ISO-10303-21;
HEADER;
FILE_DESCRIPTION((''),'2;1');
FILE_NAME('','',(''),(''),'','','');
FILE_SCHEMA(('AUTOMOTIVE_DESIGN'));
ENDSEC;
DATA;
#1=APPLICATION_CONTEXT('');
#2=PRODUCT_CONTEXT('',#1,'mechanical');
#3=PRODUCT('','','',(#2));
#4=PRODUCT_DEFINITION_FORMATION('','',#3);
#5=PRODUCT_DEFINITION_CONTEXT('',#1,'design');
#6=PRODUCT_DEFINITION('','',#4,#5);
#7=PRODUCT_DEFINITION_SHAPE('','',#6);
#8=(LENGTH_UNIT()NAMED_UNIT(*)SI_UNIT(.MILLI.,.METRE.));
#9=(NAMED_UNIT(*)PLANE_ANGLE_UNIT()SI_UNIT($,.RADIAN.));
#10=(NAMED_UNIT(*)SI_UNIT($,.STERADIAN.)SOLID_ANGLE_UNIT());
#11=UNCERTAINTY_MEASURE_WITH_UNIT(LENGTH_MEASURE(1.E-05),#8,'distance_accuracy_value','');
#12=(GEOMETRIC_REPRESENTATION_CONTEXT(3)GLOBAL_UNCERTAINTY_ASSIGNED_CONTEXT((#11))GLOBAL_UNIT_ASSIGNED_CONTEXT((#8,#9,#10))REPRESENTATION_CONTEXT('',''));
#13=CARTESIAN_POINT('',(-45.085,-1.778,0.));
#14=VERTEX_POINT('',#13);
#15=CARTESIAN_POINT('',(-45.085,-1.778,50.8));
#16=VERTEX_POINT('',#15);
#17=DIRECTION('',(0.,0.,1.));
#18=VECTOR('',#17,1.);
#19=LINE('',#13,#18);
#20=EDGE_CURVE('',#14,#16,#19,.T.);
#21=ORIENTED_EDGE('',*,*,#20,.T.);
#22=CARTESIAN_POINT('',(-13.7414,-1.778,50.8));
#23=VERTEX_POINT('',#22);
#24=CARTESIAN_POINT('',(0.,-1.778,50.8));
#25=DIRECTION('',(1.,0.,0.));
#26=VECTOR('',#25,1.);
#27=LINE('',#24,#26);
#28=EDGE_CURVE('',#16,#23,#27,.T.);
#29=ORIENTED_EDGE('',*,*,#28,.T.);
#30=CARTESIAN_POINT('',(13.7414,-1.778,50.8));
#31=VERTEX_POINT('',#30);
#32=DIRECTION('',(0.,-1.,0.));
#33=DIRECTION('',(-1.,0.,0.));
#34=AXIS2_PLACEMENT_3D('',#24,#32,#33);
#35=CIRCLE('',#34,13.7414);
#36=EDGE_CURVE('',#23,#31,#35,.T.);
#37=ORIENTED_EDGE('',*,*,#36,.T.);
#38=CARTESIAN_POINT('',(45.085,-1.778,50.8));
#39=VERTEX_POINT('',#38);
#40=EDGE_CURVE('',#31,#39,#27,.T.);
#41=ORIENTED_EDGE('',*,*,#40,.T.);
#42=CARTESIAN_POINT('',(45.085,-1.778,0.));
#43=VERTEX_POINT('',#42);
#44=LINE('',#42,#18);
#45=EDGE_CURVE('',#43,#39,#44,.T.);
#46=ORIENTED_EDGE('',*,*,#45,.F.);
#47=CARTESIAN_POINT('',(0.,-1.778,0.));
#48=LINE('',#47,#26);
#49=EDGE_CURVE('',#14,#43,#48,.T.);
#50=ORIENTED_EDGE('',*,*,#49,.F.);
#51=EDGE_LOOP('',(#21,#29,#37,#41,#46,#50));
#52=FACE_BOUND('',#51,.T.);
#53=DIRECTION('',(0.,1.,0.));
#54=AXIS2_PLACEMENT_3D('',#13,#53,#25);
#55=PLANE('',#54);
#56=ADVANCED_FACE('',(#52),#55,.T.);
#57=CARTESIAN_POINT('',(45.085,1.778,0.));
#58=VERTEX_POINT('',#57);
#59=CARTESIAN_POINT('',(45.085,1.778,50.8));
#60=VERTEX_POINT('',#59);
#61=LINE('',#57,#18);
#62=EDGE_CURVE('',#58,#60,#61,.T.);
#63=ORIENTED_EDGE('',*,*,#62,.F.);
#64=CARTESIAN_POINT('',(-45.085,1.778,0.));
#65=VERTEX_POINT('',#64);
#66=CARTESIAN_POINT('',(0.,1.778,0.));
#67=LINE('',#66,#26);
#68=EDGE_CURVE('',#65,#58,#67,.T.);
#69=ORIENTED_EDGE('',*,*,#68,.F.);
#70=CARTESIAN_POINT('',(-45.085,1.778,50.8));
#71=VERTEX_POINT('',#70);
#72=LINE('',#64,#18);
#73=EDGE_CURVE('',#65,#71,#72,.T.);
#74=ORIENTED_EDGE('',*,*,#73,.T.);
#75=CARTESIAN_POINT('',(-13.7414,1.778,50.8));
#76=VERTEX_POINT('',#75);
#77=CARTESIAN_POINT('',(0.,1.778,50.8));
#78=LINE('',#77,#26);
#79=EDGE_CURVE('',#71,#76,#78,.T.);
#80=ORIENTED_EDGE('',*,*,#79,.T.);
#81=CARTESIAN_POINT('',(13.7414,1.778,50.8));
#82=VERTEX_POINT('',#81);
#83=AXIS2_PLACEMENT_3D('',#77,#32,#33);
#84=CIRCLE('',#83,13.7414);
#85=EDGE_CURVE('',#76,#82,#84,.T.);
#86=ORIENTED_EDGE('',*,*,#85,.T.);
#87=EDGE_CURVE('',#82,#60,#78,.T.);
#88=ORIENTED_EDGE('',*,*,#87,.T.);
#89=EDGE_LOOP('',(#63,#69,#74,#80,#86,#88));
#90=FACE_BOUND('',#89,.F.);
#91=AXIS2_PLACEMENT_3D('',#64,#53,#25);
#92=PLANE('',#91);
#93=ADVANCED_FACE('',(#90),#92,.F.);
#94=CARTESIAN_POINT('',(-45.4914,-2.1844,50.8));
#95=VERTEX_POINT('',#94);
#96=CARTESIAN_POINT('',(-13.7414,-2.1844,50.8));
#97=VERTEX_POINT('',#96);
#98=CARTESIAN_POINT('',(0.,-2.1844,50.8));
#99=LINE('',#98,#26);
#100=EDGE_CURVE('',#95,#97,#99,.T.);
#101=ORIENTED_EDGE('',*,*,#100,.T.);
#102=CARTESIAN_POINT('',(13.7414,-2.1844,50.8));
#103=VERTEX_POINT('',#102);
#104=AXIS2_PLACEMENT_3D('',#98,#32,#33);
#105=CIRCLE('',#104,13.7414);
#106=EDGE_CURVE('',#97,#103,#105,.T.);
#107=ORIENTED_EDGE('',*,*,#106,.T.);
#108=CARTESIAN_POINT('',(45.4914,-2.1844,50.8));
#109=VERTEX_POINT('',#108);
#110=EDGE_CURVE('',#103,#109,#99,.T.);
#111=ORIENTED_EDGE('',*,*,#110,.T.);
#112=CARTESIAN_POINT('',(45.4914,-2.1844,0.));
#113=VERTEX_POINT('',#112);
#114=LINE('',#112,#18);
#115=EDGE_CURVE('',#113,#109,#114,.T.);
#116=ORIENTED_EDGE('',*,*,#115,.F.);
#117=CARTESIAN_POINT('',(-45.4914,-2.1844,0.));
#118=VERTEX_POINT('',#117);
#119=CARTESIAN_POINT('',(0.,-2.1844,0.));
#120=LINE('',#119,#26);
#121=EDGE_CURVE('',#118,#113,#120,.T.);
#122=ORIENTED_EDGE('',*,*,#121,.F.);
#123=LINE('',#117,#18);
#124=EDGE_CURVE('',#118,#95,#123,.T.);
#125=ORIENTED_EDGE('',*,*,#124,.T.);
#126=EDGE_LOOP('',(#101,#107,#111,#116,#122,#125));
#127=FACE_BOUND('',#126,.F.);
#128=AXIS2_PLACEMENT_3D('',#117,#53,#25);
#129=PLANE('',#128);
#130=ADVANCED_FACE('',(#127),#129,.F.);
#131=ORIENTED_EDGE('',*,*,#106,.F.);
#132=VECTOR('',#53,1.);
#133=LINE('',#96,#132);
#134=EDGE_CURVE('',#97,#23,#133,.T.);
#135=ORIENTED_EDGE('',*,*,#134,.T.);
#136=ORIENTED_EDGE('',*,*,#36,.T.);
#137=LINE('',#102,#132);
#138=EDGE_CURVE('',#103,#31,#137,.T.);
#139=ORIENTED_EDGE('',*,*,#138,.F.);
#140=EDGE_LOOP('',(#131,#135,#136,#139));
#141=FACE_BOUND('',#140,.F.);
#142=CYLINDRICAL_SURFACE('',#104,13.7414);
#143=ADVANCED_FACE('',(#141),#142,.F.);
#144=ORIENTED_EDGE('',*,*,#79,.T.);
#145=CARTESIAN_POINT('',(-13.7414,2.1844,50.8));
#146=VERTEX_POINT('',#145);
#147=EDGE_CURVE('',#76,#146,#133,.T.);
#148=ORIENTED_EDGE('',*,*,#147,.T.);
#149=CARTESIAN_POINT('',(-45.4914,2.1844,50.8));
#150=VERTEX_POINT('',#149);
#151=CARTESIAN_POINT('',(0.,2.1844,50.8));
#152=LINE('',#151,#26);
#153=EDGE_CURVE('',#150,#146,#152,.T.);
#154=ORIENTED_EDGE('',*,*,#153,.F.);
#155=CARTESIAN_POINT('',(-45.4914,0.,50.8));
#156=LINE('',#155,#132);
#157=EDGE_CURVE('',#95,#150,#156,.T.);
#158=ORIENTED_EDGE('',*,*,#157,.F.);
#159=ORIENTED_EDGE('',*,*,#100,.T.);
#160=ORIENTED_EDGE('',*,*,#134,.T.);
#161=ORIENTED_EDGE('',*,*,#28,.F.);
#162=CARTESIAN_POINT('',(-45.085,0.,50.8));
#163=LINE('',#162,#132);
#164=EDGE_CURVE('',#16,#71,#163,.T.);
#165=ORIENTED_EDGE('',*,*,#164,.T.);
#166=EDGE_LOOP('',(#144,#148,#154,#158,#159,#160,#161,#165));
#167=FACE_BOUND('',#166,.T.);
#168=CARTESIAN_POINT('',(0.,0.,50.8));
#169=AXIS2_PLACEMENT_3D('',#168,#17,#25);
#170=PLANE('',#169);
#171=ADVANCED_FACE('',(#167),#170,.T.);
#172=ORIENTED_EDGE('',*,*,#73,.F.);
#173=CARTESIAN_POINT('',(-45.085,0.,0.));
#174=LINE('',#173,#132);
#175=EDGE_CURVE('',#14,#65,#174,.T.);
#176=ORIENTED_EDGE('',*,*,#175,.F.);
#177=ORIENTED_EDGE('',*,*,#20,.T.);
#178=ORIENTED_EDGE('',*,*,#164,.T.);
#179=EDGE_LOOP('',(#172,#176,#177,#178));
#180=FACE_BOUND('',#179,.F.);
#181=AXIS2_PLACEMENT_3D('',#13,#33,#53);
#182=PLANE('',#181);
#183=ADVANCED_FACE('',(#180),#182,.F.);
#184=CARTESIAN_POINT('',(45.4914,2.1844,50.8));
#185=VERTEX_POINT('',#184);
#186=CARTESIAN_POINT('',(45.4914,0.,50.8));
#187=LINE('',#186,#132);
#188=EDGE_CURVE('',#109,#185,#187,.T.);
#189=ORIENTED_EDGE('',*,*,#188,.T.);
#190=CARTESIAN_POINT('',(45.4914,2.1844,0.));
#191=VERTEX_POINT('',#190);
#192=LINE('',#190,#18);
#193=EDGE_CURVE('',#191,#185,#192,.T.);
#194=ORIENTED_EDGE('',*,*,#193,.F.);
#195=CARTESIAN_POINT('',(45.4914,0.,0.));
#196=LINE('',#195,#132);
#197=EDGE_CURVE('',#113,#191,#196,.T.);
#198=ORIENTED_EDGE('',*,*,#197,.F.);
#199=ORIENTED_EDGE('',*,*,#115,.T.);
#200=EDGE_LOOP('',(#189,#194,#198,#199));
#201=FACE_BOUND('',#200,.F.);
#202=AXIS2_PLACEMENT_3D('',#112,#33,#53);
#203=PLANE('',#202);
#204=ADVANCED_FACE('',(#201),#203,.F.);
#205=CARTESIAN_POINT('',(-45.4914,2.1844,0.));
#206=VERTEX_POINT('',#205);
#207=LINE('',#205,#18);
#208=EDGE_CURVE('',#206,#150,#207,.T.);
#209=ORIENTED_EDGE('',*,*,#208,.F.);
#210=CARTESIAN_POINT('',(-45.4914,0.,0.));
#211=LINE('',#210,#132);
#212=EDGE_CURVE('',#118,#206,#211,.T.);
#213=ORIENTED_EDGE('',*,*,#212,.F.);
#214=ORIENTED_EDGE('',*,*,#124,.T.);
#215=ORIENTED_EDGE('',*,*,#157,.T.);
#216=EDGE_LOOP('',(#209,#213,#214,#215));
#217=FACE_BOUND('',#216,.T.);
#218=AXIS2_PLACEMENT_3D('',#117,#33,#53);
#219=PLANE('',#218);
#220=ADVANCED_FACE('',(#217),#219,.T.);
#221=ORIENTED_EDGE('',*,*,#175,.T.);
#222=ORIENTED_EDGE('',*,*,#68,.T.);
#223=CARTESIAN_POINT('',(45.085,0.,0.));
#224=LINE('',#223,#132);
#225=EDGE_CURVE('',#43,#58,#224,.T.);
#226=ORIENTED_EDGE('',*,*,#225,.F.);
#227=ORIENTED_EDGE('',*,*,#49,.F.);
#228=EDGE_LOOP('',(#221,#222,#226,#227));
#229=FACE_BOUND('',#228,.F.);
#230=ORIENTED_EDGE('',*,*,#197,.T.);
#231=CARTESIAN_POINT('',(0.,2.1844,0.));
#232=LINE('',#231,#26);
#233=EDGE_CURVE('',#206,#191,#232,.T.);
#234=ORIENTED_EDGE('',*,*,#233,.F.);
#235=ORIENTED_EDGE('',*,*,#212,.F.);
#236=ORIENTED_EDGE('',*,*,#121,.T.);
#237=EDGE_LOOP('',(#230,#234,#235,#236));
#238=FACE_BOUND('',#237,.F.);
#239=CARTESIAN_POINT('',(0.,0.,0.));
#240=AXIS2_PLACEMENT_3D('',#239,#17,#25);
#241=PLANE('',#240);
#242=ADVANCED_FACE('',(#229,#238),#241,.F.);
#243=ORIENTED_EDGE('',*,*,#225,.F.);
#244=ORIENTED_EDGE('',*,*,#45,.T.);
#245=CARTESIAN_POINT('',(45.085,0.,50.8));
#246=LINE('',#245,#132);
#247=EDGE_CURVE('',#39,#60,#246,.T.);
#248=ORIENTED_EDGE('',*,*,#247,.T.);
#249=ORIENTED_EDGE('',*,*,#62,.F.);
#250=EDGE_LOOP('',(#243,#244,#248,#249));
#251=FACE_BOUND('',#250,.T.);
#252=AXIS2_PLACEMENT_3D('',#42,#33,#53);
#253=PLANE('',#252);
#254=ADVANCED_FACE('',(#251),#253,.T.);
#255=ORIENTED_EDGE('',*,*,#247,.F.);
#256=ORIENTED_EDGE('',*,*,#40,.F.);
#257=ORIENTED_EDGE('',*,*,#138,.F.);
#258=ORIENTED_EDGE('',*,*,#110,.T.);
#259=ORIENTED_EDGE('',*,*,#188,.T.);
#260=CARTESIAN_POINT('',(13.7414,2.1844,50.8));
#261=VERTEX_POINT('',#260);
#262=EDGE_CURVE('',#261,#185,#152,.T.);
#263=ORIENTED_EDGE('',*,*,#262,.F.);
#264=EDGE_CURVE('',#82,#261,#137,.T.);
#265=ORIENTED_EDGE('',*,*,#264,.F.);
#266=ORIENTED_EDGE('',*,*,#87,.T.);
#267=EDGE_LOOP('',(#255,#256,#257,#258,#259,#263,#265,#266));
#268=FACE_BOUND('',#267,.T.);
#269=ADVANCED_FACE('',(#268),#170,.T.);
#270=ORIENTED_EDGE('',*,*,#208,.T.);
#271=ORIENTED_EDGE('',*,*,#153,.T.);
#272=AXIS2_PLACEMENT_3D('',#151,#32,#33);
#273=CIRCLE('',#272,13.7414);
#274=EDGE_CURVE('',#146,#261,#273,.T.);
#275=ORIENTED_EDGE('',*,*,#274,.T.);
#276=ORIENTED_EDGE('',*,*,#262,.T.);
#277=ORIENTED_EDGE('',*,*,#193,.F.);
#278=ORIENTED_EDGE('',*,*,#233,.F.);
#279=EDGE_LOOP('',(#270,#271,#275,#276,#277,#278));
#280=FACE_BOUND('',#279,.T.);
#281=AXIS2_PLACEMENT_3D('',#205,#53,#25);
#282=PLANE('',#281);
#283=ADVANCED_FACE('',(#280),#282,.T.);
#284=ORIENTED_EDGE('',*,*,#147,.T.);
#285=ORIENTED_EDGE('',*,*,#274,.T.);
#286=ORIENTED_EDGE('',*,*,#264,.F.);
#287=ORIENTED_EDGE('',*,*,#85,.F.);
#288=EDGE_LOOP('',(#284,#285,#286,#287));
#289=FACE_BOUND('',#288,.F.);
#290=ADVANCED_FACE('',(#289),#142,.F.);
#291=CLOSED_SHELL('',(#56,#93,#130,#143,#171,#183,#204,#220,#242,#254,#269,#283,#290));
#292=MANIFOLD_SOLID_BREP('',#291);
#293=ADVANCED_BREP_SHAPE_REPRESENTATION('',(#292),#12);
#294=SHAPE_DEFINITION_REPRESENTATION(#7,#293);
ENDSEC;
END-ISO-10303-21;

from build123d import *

# Parameters (mm, degrees)
F0_W     = 90.9828
F0_H     = 4.3688
F0_W_2   = 90.17
F0_H_2   = 3.556
F1_DEPTH = 50.8
F3_DEPTH = 4.3698


with BuildPart() as f1:
    # F0 (on Top) → F1 (new body)
    with BuildSketch(Plane.XY):
        Rectangle(F0_W, F0_H)
        Rectangle(F0_W_2, F0_H_2, mode=Mode.SUBTRACT)
    extrude(amount=F1_DEPTH)

    # F2 (on face) → F3 (cut, through all)
    with BuildSketch(Plane.XZ.offset(2.1844)):
        with BuildLine():
            Line((13.7414, 50.8), (-13.7414, 50.8))
            ThreePointArc((-13.7414, 50.8), (0, 37.0586), (13.7414, 50.8))
        make_face()
    extrude(amount=-F3_DEPTH, mode=Mode.SUBTRACT)


solid = f1.part
